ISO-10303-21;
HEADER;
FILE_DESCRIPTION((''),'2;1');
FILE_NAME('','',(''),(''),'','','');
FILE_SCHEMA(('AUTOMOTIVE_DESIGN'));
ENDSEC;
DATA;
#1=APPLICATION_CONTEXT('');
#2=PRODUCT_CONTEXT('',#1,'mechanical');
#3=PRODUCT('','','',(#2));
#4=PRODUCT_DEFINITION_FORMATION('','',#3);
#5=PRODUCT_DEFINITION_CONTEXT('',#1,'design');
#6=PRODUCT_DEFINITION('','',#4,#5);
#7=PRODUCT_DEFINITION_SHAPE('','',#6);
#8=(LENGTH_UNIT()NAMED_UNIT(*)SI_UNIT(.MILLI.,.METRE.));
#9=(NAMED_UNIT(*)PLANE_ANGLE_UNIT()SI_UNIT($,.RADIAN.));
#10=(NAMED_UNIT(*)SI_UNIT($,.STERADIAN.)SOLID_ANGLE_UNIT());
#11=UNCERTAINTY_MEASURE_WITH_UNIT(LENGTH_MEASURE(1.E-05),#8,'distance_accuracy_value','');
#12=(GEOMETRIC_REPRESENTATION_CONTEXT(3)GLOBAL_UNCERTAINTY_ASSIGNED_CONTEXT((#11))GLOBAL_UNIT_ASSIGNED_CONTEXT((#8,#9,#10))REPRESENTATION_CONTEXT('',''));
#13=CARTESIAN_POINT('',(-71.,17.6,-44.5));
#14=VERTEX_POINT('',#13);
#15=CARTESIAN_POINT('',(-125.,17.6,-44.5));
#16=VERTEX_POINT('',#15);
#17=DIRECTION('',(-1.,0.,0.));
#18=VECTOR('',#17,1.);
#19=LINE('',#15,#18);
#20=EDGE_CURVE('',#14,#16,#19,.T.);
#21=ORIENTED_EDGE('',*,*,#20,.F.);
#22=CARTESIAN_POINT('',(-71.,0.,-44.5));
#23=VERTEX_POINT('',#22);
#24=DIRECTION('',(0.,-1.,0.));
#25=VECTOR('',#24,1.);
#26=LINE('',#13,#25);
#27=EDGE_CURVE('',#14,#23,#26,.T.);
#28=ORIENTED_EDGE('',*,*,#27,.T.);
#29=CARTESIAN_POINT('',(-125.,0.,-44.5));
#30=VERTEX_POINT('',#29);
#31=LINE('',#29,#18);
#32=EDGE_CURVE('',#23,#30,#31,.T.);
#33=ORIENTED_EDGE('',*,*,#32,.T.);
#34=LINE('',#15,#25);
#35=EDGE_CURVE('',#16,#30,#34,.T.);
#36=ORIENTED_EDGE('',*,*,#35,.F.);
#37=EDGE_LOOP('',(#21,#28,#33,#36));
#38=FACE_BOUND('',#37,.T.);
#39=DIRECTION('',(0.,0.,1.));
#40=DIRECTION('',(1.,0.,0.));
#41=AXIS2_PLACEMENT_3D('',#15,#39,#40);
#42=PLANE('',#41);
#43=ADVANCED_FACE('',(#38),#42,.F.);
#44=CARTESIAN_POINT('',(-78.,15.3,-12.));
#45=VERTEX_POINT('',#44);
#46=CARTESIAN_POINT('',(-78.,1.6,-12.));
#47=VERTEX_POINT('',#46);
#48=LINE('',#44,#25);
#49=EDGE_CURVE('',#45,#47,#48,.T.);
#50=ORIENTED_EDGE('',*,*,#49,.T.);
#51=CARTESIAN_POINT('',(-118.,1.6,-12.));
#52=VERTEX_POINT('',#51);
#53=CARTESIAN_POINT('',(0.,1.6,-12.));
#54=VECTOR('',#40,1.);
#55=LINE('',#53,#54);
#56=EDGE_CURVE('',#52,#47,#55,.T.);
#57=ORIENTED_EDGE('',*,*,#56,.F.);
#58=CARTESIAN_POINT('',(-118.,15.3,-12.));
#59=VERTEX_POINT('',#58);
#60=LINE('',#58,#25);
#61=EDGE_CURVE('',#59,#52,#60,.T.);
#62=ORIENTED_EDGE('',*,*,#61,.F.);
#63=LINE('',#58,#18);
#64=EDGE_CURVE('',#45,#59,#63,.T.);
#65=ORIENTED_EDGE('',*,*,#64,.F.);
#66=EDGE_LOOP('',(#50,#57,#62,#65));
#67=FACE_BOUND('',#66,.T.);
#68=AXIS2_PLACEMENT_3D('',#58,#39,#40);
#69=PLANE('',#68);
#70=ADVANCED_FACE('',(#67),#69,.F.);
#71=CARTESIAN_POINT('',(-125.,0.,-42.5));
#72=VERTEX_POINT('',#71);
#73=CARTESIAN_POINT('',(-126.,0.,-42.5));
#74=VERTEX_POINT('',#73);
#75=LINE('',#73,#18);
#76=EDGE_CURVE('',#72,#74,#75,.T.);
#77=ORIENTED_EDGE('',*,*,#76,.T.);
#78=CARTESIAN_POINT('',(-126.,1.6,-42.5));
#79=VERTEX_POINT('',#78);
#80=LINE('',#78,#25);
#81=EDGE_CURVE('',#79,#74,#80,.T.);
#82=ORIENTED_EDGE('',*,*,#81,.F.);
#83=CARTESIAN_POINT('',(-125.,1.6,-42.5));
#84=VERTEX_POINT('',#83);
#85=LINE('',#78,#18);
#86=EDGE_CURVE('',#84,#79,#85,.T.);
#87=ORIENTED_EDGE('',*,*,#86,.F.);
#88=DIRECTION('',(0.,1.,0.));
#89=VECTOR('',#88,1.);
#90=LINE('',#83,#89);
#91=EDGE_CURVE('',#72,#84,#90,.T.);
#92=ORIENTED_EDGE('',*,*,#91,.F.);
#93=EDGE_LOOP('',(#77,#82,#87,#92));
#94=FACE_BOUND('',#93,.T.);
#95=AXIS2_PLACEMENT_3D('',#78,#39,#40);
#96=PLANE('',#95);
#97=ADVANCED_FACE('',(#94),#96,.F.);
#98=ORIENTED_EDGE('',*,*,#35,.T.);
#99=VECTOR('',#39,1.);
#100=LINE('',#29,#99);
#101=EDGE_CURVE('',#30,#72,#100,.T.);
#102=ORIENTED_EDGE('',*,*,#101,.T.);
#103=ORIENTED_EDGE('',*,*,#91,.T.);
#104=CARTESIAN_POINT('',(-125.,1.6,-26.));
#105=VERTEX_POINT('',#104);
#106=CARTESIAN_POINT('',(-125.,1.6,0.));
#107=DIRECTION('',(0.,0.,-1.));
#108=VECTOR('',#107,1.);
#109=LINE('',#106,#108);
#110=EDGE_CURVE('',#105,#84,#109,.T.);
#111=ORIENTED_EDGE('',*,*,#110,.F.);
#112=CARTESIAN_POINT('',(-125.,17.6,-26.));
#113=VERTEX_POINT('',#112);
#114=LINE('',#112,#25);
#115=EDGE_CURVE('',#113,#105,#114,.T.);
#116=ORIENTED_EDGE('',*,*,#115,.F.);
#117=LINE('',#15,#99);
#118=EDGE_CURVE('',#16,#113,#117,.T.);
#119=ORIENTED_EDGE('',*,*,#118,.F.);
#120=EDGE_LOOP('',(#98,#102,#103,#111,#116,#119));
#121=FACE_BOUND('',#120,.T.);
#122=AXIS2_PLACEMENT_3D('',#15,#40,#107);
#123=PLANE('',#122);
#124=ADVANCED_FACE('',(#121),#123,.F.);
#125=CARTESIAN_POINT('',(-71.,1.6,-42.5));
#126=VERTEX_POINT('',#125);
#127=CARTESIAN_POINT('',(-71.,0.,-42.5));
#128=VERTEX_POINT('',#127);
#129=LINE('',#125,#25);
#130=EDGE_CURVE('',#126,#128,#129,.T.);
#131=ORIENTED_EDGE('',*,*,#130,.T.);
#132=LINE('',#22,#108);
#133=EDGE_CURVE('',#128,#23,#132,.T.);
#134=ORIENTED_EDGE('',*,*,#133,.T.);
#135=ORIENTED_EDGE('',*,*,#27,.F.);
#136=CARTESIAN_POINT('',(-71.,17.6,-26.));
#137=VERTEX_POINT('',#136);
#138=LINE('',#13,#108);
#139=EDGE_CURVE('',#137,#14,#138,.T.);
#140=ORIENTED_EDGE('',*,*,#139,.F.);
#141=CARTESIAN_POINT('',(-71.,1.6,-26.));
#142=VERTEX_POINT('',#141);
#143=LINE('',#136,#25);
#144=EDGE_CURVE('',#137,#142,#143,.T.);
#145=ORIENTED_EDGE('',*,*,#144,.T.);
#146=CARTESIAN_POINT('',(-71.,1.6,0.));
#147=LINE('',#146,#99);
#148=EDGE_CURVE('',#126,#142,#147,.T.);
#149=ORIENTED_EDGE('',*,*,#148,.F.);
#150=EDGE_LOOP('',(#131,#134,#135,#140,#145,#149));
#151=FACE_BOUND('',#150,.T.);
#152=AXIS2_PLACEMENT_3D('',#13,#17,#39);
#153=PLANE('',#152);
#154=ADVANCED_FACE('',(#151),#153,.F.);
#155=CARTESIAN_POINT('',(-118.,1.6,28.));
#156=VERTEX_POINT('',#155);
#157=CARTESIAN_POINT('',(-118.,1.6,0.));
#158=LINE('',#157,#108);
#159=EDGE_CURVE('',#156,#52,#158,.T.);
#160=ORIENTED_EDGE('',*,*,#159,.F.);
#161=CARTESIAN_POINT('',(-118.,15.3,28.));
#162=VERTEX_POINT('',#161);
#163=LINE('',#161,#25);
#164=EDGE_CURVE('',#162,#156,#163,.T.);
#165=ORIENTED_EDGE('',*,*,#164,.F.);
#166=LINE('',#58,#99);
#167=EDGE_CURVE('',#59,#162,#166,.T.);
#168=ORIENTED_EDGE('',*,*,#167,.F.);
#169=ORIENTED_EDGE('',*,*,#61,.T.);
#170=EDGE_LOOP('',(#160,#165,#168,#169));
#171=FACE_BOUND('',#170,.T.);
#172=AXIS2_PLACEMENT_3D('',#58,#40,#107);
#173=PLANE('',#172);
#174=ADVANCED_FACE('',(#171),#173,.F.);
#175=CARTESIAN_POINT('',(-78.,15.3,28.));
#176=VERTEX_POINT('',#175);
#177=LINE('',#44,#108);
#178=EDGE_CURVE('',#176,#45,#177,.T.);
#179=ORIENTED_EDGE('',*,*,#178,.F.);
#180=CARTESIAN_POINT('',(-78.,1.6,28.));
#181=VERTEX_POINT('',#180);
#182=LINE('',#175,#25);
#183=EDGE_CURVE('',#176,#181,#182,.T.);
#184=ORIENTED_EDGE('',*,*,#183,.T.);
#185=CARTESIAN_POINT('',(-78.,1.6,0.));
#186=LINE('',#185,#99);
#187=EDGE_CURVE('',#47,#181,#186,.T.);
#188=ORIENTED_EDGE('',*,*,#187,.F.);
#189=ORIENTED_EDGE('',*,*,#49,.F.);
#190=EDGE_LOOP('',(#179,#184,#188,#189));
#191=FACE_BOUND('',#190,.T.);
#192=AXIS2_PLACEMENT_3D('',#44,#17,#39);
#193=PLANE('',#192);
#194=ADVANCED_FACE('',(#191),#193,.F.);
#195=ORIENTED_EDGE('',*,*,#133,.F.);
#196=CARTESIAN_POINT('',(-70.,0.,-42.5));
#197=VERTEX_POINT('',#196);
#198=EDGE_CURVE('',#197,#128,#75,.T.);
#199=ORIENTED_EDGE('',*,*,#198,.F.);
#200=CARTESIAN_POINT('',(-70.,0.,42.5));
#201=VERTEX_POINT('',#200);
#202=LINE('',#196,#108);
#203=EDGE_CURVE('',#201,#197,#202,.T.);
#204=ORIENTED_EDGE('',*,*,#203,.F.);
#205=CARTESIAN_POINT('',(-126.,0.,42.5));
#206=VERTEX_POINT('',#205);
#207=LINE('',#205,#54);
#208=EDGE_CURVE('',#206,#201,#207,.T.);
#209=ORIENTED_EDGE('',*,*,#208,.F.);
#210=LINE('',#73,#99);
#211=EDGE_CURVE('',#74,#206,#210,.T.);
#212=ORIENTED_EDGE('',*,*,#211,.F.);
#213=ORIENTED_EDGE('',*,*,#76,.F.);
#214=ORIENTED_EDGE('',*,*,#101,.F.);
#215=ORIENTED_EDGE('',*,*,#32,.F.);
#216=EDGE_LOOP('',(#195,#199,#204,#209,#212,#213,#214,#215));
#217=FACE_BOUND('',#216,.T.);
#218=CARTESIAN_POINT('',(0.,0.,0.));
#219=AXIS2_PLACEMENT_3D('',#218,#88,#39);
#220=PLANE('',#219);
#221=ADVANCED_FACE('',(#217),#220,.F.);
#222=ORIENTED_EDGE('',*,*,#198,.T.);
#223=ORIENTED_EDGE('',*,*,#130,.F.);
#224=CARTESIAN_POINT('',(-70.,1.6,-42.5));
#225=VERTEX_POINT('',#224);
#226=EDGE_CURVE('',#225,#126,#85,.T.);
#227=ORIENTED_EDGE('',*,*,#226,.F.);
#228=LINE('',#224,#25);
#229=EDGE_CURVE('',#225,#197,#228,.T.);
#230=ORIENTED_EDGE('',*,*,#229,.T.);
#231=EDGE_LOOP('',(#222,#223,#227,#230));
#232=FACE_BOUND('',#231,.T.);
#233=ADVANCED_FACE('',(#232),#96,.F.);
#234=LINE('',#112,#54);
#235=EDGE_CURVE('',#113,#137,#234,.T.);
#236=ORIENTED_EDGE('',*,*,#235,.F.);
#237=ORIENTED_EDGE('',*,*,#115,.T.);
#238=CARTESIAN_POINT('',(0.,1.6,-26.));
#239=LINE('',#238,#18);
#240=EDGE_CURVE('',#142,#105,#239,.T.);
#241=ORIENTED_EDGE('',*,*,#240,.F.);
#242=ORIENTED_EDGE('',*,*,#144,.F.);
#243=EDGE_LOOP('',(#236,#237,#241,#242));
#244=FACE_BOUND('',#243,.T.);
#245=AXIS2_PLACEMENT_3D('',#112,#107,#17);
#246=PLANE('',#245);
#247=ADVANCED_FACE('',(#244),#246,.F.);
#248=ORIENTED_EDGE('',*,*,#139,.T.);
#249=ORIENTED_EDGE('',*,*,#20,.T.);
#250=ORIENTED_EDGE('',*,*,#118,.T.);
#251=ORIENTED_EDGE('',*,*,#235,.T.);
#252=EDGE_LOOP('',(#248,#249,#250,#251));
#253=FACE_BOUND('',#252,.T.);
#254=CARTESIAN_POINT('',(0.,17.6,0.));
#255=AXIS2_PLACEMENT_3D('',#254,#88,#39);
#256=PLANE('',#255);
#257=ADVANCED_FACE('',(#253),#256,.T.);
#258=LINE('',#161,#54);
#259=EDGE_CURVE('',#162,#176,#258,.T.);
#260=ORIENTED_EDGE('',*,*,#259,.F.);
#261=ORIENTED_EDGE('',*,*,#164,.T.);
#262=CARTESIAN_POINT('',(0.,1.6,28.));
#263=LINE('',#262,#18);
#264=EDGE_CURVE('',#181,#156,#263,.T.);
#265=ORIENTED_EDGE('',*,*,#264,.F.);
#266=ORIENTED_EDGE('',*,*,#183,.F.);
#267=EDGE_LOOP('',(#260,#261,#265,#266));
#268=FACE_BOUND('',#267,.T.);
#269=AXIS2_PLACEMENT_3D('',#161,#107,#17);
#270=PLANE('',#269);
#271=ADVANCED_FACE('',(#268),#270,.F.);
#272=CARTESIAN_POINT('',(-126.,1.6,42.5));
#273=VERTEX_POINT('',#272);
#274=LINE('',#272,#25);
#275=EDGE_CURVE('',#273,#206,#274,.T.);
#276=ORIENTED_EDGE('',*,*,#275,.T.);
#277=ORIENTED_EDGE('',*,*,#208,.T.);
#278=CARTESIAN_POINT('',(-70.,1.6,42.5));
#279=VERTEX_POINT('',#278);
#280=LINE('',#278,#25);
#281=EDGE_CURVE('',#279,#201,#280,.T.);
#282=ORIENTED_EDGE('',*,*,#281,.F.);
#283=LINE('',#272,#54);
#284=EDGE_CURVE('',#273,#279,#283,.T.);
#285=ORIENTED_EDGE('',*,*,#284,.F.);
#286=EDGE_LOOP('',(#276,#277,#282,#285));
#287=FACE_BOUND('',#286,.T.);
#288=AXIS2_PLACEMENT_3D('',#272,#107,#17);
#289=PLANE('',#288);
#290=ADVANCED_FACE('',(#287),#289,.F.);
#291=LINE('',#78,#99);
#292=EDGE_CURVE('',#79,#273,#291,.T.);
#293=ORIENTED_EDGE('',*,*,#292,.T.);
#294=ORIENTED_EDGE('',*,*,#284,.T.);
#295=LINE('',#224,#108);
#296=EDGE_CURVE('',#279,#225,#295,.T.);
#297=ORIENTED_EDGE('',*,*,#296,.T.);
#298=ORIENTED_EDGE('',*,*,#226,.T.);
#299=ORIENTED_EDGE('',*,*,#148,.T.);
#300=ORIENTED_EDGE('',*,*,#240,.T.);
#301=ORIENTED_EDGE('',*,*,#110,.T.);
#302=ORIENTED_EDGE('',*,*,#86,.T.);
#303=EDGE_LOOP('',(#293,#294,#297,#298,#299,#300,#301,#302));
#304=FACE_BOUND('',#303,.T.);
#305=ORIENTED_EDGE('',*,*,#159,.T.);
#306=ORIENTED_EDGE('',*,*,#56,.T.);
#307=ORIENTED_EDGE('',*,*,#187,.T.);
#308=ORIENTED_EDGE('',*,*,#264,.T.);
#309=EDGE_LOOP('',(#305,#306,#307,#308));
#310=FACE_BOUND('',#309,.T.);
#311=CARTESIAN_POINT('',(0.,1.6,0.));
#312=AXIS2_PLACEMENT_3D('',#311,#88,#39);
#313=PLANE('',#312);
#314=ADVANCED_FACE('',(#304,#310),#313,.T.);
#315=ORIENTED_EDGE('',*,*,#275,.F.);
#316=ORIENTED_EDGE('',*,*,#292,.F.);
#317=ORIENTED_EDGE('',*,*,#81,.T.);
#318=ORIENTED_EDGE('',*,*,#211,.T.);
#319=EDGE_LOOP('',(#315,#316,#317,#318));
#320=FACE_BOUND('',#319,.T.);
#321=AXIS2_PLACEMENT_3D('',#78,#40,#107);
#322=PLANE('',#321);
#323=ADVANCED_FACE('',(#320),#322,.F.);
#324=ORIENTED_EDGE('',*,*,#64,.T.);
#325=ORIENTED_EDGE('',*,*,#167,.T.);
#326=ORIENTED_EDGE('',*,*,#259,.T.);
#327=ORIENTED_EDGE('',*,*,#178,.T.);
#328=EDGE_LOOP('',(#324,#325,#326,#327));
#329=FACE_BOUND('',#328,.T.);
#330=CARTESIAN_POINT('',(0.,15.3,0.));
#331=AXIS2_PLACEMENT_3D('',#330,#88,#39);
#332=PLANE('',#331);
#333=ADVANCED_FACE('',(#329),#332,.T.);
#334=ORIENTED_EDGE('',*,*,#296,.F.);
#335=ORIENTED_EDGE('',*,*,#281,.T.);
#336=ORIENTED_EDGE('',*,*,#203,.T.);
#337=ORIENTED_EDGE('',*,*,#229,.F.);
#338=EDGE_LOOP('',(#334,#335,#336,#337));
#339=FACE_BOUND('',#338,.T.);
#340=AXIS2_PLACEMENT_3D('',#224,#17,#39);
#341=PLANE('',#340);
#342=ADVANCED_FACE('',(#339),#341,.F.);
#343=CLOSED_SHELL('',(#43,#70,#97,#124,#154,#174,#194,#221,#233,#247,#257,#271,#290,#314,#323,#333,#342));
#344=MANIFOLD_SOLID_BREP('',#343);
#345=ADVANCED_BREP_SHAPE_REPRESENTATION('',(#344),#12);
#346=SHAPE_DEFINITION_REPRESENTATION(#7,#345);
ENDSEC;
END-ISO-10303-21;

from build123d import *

# Parameters (mm, degrees)
SKETCH1_W           = 56
SKETCH1_H           = 85
BOSS_EXTRUDE1_DEPTH = 1.6
SKETCH2_W           = 54
SKETCH2_H           = 18.5
BOSS_EXTRUDE2_DEPTH = 17.6
SKETCH3_W           = 40
SKETCH3_H           = 40
BOSS_EXTRUDE3_DEPTH = 15.3


with BuildPart() as part:
    # Sketch1 → Boss-Extrude1 (new body)
    with BuildSketch(Plane(origin=(0, 0, 0), x_dir=(1, 0, 0), z_dir=(0, 1, 0))):
        with Locations((-98, 0)):
            Rectangle(SKETCH1_W, SKETCH1_H)
    extrude(amount=BOSS_EXTRUDE1_DEPTH)

    # Sketch2 → Boss-Extrude2 (add)
    with BuildSketch(Plane(origin=(0, 0, 0), x_dir=(1, 0, 0), z_dir=(0, 1, 0))):
        with Locations((-98, 35.25)):
            Rectangle(SKETCH2_W, SKETCH2_H)
    extrude(amount=BOSS_EXTRUDE2_DEPTH)

    # Sketch3 → Boss-Extrude3 (add)
    with BuildSketch(Plane(origin=(0, 0, 0), x_dir=(1, 0, 0), z_dir=(0, 1, 0))):
        with Locations((-98, -8)):
            Rectangle(SKETCH3_W, SKETCH3_H)
    extrude(amount=BOSS_EXTRUDE3_DEPTH)


solid = part.part
